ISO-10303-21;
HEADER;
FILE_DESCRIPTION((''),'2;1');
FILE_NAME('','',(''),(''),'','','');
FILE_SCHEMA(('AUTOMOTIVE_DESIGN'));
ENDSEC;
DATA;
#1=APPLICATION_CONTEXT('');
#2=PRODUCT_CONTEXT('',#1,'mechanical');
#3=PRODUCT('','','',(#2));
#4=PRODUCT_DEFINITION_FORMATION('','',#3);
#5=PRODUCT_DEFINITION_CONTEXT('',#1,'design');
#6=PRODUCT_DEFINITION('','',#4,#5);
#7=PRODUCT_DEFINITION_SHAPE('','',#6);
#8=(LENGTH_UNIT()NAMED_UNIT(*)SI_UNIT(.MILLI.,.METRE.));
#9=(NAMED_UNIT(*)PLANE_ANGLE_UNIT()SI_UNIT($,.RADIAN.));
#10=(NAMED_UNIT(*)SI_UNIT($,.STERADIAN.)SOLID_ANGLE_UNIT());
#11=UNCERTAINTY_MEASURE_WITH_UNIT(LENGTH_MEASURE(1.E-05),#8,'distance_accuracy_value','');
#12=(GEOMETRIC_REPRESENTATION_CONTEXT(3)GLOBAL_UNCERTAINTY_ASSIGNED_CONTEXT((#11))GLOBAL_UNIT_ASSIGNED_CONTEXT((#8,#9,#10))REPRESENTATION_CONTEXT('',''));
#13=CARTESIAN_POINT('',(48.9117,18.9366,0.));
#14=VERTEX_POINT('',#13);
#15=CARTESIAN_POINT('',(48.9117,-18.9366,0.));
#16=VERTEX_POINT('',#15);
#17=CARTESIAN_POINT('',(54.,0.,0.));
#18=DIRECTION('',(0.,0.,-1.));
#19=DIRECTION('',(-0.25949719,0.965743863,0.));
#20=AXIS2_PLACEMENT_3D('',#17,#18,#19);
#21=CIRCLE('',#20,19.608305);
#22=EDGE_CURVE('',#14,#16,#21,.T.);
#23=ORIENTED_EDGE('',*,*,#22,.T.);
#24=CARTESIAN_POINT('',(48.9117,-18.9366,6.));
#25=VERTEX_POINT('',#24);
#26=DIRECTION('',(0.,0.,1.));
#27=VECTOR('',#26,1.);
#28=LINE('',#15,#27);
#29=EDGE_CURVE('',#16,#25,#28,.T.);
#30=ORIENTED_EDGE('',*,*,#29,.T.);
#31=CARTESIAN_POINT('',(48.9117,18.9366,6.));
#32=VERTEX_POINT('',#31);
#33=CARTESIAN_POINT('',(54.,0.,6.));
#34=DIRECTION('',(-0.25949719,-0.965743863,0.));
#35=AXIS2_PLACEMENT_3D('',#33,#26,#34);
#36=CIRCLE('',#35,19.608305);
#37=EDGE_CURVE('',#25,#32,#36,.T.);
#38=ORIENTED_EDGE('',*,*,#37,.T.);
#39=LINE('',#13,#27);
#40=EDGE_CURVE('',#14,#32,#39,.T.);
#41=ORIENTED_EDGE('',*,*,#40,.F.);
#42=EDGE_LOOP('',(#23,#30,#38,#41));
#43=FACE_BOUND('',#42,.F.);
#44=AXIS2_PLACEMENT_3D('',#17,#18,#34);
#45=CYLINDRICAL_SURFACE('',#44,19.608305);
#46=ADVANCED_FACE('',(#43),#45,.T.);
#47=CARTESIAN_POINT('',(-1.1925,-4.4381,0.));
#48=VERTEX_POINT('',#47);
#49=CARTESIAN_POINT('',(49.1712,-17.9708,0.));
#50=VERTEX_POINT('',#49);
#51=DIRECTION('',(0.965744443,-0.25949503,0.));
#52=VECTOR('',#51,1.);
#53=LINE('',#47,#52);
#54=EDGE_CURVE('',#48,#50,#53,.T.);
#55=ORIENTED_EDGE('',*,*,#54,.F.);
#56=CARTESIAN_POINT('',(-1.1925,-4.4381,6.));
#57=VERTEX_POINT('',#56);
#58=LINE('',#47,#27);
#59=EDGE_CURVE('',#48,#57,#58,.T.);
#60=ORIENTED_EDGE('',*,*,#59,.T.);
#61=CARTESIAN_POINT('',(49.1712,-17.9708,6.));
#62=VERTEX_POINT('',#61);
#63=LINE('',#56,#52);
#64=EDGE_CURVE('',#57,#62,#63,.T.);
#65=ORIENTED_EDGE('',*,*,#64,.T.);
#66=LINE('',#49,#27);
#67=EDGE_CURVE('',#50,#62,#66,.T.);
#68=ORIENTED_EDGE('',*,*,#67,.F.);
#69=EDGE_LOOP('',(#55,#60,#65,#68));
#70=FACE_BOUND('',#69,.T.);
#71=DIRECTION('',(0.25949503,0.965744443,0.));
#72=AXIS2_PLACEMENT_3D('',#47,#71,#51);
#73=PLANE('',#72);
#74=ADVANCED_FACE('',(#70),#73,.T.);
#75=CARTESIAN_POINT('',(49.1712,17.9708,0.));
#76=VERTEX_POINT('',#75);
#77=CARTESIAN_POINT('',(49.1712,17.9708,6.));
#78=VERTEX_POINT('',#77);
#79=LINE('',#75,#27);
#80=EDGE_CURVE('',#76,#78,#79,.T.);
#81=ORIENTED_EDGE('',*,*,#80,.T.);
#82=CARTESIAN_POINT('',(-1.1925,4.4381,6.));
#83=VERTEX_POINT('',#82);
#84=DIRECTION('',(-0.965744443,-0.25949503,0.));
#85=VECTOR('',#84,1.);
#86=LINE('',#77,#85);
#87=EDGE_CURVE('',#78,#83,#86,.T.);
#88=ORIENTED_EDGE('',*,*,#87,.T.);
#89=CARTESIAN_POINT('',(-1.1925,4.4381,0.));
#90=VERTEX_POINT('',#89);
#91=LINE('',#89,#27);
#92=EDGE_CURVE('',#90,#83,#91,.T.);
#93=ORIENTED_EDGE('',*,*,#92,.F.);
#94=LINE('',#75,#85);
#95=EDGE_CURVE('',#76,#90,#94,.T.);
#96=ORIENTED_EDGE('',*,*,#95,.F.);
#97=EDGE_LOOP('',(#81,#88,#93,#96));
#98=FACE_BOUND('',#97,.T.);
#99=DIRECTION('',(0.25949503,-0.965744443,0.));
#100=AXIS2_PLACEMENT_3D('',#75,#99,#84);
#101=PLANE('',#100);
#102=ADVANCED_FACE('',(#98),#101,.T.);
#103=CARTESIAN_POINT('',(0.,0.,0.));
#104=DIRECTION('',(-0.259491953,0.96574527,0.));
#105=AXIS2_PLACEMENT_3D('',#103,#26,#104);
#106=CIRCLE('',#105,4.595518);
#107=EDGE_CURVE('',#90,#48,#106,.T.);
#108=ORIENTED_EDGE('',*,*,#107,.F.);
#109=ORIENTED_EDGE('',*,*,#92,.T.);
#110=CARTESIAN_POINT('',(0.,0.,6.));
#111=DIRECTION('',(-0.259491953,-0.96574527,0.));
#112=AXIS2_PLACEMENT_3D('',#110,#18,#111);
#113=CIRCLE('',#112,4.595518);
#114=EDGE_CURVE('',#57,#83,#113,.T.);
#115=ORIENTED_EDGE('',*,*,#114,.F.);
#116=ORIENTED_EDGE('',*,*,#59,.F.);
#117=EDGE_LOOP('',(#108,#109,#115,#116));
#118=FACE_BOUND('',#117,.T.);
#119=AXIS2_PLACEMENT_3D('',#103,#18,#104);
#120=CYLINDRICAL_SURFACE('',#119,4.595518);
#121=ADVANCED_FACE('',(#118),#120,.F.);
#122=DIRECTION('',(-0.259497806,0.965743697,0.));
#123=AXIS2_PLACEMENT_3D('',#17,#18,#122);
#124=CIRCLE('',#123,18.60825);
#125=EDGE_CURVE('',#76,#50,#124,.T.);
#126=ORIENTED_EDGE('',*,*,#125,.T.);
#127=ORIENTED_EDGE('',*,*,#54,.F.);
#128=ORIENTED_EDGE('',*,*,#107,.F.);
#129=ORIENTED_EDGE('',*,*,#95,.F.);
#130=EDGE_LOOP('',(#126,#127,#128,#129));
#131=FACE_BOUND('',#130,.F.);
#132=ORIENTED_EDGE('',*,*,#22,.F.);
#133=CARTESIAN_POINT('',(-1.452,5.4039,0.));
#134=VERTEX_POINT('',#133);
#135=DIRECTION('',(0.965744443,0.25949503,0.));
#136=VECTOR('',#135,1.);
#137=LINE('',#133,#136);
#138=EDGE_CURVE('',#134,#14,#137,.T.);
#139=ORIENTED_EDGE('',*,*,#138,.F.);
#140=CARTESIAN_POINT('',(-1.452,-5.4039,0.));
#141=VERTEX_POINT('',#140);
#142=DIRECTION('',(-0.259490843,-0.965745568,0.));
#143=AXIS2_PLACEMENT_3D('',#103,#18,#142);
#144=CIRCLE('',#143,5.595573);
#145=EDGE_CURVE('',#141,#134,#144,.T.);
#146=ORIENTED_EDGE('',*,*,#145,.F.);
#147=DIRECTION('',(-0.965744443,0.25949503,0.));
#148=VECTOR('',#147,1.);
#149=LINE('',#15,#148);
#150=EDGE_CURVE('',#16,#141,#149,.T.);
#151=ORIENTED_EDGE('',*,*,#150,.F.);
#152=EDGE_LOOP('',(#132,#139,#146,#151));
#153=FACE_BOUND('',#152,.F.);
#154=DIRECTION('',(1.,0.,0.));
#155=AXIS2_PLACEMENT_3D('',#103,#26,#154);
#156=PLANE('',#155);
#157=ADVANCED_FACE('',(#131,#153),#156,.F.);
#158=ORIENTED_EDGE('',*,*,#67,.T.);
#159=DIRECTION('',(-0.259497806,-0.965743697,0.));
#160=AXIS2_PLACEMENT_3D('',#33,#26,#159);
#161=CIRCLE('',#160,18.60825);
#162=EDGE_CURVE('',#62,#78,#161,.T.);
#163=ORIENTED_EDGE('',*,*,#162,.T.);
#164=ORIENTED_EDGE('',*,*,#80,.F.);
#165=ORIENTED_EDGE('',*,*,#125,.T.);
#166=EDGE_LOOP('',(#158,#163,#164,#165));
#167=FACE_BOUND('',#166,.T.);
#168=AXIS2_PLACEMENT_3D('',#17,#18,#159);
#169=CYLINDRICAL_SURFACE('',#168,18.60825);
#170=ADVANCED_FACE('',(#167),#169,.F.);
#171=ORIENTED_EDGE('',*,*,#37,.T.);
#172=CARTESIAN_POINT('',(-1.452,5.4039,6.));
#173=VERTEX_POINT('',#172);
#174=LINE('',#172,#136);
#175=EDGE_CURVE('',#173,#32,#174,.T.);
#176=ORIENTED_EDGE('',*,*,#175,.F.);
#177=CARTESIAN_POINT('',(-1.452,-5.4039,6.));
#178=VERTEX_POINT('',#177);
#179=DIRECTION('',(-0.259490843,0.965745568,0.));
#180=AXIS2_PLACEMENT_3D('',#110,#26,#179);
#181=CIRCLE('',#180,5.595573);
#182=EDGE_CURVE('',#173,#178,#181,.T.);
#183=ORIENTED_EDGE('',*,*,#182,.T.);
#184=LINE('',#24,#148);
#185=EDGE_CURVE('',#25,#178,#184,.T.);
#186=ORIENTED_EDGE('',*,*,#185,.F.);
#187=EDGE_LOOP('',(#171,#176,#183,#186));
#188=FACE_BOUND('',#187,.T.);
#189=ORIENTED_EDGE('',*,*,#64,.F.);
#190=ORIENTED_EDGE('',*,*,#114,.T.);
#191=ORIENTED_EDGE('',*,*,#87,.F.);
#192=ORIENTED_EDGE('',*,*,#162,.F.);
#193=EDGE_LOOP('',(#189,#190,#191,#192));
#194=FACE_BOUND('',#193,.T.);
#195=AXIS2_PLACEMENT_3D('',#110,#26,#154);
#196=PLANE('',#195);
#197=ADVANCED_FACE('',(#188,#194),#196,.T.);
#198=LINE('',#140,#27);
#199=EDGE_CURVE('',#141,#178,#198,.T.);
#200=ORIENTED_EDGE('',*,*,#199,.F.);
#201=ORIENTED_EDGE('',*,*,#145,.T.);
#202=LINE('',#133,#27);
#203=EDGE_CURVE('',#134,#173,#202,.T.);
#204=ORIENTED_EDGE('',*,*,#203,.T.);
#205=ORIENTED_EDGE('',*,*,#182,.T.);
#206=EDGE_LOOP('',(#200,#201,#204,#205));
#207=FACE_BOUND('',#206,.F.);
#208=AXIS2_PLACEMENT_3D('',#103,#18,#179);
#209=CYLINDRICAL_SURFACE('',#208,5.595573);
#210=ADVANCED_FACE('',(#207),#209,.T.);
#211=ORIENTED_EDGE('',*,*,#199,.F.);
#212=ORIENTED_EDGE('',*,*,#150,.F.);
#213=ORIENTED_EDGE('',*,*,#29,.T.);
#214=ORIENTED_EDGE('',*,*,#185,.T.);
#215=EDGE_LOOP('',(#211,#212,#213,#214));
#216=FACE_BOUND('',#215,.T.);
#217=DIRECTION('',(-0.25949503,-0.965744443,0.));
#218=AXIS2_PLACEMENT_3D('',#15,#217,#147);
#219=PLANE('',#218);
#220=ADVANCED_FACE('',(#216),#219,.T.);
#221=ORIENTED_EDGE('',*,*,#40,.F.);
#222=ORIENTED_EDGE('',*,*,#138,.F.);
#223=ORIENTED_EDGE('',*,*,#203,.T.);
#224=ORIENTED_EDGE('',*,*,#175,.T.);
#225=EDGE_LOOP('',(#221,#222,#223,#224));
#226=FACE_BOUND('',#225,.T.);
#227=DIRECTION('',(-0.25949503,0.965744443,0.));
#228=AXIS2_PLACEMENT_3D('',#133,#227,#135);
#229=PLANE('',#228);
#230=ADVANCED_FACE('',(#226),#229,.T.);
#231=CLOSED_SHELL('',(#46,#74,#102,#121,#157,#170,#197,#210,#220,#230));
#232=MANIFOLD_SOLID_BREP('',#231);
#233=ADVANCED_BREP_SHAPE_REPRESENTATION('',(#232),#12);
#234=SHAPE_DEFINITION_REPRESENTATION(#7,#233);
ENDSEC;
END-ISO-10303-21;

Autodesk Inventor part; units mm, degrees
ref_plane "YZ Plane" through (0, 0, 0) normal (1, 0, 0) x (0, 1, 0)
ref_plane "XZ Plane" through (0, 0, 0) normal (0, 1, 0) x (-1, 0, 0)
ref_plane "XY Plane" through (0, 0, 0) normal (0, 0, 1) x (1, 0, 0)
sketch "Sketch1" plane through (0, 0, 0) normal (0, 0, 1) x (1, 0, 0)
  arc A0 (-1.3223, 4.921) -> (-1.3223, -4.921) centre (0, 0) ccw
  line L0 (-1.3223, 4.921) -> (49.0415, 18.4537)
  line L1 (-1.3223, -4.921) -> (49.0415, -18.4537)
  arc A1 (49.0415, -18.4537) -> (49.0415, 18.4537) centre (54, 0) ccw
  arc A2 (-1.1925, 4.4381) -> (-1.1925, -4.4381) centre (0, 0) ccw
  arc A3 (49.1712, -17.9708) -> (49.1712, 17.9708) centre (54, 0) ccw
  arc A4 (48.9117, -18.9366) -> (48.9117, 18.9366) centre (54, 0) ccw
  arc A5 (-1.452, 5.4039) -> (-1.452, -5.4039) centre (0, 0) ccw
  line L2 (-1.452, 5.4039) -> (48.9117, 18.9366)
  line L3 (49.1712, 17.9708) -> (-1.1925, 4.4381)
  line L4 (-1.1925, -4.4381) -> (49.1712, -17.9708)
  line L5 (48.9117, -18.9366) -> (-1.452, -5.4039)
  line L6 (-21.4363, 0) -> (89.449, 0) projected
  dimension "d0" = 5.0955
  dimension "d1" = 19.1083
  dimension "d9" = 54
  dimension "d10" = 0.5
  dimension "d11" = 0.5
extrude "Extrusion1" add sketch "Sketch1" along normal blind 6 contours L0 A1 L6 A3 L3 A2 A0 | A0 L6 A5 L2 A4 A1 L0 | L6 A2 L4 A3 A1 L1 A0 | A0 L1 A1 L6 A4 L5 A5
properties part number "belt"
